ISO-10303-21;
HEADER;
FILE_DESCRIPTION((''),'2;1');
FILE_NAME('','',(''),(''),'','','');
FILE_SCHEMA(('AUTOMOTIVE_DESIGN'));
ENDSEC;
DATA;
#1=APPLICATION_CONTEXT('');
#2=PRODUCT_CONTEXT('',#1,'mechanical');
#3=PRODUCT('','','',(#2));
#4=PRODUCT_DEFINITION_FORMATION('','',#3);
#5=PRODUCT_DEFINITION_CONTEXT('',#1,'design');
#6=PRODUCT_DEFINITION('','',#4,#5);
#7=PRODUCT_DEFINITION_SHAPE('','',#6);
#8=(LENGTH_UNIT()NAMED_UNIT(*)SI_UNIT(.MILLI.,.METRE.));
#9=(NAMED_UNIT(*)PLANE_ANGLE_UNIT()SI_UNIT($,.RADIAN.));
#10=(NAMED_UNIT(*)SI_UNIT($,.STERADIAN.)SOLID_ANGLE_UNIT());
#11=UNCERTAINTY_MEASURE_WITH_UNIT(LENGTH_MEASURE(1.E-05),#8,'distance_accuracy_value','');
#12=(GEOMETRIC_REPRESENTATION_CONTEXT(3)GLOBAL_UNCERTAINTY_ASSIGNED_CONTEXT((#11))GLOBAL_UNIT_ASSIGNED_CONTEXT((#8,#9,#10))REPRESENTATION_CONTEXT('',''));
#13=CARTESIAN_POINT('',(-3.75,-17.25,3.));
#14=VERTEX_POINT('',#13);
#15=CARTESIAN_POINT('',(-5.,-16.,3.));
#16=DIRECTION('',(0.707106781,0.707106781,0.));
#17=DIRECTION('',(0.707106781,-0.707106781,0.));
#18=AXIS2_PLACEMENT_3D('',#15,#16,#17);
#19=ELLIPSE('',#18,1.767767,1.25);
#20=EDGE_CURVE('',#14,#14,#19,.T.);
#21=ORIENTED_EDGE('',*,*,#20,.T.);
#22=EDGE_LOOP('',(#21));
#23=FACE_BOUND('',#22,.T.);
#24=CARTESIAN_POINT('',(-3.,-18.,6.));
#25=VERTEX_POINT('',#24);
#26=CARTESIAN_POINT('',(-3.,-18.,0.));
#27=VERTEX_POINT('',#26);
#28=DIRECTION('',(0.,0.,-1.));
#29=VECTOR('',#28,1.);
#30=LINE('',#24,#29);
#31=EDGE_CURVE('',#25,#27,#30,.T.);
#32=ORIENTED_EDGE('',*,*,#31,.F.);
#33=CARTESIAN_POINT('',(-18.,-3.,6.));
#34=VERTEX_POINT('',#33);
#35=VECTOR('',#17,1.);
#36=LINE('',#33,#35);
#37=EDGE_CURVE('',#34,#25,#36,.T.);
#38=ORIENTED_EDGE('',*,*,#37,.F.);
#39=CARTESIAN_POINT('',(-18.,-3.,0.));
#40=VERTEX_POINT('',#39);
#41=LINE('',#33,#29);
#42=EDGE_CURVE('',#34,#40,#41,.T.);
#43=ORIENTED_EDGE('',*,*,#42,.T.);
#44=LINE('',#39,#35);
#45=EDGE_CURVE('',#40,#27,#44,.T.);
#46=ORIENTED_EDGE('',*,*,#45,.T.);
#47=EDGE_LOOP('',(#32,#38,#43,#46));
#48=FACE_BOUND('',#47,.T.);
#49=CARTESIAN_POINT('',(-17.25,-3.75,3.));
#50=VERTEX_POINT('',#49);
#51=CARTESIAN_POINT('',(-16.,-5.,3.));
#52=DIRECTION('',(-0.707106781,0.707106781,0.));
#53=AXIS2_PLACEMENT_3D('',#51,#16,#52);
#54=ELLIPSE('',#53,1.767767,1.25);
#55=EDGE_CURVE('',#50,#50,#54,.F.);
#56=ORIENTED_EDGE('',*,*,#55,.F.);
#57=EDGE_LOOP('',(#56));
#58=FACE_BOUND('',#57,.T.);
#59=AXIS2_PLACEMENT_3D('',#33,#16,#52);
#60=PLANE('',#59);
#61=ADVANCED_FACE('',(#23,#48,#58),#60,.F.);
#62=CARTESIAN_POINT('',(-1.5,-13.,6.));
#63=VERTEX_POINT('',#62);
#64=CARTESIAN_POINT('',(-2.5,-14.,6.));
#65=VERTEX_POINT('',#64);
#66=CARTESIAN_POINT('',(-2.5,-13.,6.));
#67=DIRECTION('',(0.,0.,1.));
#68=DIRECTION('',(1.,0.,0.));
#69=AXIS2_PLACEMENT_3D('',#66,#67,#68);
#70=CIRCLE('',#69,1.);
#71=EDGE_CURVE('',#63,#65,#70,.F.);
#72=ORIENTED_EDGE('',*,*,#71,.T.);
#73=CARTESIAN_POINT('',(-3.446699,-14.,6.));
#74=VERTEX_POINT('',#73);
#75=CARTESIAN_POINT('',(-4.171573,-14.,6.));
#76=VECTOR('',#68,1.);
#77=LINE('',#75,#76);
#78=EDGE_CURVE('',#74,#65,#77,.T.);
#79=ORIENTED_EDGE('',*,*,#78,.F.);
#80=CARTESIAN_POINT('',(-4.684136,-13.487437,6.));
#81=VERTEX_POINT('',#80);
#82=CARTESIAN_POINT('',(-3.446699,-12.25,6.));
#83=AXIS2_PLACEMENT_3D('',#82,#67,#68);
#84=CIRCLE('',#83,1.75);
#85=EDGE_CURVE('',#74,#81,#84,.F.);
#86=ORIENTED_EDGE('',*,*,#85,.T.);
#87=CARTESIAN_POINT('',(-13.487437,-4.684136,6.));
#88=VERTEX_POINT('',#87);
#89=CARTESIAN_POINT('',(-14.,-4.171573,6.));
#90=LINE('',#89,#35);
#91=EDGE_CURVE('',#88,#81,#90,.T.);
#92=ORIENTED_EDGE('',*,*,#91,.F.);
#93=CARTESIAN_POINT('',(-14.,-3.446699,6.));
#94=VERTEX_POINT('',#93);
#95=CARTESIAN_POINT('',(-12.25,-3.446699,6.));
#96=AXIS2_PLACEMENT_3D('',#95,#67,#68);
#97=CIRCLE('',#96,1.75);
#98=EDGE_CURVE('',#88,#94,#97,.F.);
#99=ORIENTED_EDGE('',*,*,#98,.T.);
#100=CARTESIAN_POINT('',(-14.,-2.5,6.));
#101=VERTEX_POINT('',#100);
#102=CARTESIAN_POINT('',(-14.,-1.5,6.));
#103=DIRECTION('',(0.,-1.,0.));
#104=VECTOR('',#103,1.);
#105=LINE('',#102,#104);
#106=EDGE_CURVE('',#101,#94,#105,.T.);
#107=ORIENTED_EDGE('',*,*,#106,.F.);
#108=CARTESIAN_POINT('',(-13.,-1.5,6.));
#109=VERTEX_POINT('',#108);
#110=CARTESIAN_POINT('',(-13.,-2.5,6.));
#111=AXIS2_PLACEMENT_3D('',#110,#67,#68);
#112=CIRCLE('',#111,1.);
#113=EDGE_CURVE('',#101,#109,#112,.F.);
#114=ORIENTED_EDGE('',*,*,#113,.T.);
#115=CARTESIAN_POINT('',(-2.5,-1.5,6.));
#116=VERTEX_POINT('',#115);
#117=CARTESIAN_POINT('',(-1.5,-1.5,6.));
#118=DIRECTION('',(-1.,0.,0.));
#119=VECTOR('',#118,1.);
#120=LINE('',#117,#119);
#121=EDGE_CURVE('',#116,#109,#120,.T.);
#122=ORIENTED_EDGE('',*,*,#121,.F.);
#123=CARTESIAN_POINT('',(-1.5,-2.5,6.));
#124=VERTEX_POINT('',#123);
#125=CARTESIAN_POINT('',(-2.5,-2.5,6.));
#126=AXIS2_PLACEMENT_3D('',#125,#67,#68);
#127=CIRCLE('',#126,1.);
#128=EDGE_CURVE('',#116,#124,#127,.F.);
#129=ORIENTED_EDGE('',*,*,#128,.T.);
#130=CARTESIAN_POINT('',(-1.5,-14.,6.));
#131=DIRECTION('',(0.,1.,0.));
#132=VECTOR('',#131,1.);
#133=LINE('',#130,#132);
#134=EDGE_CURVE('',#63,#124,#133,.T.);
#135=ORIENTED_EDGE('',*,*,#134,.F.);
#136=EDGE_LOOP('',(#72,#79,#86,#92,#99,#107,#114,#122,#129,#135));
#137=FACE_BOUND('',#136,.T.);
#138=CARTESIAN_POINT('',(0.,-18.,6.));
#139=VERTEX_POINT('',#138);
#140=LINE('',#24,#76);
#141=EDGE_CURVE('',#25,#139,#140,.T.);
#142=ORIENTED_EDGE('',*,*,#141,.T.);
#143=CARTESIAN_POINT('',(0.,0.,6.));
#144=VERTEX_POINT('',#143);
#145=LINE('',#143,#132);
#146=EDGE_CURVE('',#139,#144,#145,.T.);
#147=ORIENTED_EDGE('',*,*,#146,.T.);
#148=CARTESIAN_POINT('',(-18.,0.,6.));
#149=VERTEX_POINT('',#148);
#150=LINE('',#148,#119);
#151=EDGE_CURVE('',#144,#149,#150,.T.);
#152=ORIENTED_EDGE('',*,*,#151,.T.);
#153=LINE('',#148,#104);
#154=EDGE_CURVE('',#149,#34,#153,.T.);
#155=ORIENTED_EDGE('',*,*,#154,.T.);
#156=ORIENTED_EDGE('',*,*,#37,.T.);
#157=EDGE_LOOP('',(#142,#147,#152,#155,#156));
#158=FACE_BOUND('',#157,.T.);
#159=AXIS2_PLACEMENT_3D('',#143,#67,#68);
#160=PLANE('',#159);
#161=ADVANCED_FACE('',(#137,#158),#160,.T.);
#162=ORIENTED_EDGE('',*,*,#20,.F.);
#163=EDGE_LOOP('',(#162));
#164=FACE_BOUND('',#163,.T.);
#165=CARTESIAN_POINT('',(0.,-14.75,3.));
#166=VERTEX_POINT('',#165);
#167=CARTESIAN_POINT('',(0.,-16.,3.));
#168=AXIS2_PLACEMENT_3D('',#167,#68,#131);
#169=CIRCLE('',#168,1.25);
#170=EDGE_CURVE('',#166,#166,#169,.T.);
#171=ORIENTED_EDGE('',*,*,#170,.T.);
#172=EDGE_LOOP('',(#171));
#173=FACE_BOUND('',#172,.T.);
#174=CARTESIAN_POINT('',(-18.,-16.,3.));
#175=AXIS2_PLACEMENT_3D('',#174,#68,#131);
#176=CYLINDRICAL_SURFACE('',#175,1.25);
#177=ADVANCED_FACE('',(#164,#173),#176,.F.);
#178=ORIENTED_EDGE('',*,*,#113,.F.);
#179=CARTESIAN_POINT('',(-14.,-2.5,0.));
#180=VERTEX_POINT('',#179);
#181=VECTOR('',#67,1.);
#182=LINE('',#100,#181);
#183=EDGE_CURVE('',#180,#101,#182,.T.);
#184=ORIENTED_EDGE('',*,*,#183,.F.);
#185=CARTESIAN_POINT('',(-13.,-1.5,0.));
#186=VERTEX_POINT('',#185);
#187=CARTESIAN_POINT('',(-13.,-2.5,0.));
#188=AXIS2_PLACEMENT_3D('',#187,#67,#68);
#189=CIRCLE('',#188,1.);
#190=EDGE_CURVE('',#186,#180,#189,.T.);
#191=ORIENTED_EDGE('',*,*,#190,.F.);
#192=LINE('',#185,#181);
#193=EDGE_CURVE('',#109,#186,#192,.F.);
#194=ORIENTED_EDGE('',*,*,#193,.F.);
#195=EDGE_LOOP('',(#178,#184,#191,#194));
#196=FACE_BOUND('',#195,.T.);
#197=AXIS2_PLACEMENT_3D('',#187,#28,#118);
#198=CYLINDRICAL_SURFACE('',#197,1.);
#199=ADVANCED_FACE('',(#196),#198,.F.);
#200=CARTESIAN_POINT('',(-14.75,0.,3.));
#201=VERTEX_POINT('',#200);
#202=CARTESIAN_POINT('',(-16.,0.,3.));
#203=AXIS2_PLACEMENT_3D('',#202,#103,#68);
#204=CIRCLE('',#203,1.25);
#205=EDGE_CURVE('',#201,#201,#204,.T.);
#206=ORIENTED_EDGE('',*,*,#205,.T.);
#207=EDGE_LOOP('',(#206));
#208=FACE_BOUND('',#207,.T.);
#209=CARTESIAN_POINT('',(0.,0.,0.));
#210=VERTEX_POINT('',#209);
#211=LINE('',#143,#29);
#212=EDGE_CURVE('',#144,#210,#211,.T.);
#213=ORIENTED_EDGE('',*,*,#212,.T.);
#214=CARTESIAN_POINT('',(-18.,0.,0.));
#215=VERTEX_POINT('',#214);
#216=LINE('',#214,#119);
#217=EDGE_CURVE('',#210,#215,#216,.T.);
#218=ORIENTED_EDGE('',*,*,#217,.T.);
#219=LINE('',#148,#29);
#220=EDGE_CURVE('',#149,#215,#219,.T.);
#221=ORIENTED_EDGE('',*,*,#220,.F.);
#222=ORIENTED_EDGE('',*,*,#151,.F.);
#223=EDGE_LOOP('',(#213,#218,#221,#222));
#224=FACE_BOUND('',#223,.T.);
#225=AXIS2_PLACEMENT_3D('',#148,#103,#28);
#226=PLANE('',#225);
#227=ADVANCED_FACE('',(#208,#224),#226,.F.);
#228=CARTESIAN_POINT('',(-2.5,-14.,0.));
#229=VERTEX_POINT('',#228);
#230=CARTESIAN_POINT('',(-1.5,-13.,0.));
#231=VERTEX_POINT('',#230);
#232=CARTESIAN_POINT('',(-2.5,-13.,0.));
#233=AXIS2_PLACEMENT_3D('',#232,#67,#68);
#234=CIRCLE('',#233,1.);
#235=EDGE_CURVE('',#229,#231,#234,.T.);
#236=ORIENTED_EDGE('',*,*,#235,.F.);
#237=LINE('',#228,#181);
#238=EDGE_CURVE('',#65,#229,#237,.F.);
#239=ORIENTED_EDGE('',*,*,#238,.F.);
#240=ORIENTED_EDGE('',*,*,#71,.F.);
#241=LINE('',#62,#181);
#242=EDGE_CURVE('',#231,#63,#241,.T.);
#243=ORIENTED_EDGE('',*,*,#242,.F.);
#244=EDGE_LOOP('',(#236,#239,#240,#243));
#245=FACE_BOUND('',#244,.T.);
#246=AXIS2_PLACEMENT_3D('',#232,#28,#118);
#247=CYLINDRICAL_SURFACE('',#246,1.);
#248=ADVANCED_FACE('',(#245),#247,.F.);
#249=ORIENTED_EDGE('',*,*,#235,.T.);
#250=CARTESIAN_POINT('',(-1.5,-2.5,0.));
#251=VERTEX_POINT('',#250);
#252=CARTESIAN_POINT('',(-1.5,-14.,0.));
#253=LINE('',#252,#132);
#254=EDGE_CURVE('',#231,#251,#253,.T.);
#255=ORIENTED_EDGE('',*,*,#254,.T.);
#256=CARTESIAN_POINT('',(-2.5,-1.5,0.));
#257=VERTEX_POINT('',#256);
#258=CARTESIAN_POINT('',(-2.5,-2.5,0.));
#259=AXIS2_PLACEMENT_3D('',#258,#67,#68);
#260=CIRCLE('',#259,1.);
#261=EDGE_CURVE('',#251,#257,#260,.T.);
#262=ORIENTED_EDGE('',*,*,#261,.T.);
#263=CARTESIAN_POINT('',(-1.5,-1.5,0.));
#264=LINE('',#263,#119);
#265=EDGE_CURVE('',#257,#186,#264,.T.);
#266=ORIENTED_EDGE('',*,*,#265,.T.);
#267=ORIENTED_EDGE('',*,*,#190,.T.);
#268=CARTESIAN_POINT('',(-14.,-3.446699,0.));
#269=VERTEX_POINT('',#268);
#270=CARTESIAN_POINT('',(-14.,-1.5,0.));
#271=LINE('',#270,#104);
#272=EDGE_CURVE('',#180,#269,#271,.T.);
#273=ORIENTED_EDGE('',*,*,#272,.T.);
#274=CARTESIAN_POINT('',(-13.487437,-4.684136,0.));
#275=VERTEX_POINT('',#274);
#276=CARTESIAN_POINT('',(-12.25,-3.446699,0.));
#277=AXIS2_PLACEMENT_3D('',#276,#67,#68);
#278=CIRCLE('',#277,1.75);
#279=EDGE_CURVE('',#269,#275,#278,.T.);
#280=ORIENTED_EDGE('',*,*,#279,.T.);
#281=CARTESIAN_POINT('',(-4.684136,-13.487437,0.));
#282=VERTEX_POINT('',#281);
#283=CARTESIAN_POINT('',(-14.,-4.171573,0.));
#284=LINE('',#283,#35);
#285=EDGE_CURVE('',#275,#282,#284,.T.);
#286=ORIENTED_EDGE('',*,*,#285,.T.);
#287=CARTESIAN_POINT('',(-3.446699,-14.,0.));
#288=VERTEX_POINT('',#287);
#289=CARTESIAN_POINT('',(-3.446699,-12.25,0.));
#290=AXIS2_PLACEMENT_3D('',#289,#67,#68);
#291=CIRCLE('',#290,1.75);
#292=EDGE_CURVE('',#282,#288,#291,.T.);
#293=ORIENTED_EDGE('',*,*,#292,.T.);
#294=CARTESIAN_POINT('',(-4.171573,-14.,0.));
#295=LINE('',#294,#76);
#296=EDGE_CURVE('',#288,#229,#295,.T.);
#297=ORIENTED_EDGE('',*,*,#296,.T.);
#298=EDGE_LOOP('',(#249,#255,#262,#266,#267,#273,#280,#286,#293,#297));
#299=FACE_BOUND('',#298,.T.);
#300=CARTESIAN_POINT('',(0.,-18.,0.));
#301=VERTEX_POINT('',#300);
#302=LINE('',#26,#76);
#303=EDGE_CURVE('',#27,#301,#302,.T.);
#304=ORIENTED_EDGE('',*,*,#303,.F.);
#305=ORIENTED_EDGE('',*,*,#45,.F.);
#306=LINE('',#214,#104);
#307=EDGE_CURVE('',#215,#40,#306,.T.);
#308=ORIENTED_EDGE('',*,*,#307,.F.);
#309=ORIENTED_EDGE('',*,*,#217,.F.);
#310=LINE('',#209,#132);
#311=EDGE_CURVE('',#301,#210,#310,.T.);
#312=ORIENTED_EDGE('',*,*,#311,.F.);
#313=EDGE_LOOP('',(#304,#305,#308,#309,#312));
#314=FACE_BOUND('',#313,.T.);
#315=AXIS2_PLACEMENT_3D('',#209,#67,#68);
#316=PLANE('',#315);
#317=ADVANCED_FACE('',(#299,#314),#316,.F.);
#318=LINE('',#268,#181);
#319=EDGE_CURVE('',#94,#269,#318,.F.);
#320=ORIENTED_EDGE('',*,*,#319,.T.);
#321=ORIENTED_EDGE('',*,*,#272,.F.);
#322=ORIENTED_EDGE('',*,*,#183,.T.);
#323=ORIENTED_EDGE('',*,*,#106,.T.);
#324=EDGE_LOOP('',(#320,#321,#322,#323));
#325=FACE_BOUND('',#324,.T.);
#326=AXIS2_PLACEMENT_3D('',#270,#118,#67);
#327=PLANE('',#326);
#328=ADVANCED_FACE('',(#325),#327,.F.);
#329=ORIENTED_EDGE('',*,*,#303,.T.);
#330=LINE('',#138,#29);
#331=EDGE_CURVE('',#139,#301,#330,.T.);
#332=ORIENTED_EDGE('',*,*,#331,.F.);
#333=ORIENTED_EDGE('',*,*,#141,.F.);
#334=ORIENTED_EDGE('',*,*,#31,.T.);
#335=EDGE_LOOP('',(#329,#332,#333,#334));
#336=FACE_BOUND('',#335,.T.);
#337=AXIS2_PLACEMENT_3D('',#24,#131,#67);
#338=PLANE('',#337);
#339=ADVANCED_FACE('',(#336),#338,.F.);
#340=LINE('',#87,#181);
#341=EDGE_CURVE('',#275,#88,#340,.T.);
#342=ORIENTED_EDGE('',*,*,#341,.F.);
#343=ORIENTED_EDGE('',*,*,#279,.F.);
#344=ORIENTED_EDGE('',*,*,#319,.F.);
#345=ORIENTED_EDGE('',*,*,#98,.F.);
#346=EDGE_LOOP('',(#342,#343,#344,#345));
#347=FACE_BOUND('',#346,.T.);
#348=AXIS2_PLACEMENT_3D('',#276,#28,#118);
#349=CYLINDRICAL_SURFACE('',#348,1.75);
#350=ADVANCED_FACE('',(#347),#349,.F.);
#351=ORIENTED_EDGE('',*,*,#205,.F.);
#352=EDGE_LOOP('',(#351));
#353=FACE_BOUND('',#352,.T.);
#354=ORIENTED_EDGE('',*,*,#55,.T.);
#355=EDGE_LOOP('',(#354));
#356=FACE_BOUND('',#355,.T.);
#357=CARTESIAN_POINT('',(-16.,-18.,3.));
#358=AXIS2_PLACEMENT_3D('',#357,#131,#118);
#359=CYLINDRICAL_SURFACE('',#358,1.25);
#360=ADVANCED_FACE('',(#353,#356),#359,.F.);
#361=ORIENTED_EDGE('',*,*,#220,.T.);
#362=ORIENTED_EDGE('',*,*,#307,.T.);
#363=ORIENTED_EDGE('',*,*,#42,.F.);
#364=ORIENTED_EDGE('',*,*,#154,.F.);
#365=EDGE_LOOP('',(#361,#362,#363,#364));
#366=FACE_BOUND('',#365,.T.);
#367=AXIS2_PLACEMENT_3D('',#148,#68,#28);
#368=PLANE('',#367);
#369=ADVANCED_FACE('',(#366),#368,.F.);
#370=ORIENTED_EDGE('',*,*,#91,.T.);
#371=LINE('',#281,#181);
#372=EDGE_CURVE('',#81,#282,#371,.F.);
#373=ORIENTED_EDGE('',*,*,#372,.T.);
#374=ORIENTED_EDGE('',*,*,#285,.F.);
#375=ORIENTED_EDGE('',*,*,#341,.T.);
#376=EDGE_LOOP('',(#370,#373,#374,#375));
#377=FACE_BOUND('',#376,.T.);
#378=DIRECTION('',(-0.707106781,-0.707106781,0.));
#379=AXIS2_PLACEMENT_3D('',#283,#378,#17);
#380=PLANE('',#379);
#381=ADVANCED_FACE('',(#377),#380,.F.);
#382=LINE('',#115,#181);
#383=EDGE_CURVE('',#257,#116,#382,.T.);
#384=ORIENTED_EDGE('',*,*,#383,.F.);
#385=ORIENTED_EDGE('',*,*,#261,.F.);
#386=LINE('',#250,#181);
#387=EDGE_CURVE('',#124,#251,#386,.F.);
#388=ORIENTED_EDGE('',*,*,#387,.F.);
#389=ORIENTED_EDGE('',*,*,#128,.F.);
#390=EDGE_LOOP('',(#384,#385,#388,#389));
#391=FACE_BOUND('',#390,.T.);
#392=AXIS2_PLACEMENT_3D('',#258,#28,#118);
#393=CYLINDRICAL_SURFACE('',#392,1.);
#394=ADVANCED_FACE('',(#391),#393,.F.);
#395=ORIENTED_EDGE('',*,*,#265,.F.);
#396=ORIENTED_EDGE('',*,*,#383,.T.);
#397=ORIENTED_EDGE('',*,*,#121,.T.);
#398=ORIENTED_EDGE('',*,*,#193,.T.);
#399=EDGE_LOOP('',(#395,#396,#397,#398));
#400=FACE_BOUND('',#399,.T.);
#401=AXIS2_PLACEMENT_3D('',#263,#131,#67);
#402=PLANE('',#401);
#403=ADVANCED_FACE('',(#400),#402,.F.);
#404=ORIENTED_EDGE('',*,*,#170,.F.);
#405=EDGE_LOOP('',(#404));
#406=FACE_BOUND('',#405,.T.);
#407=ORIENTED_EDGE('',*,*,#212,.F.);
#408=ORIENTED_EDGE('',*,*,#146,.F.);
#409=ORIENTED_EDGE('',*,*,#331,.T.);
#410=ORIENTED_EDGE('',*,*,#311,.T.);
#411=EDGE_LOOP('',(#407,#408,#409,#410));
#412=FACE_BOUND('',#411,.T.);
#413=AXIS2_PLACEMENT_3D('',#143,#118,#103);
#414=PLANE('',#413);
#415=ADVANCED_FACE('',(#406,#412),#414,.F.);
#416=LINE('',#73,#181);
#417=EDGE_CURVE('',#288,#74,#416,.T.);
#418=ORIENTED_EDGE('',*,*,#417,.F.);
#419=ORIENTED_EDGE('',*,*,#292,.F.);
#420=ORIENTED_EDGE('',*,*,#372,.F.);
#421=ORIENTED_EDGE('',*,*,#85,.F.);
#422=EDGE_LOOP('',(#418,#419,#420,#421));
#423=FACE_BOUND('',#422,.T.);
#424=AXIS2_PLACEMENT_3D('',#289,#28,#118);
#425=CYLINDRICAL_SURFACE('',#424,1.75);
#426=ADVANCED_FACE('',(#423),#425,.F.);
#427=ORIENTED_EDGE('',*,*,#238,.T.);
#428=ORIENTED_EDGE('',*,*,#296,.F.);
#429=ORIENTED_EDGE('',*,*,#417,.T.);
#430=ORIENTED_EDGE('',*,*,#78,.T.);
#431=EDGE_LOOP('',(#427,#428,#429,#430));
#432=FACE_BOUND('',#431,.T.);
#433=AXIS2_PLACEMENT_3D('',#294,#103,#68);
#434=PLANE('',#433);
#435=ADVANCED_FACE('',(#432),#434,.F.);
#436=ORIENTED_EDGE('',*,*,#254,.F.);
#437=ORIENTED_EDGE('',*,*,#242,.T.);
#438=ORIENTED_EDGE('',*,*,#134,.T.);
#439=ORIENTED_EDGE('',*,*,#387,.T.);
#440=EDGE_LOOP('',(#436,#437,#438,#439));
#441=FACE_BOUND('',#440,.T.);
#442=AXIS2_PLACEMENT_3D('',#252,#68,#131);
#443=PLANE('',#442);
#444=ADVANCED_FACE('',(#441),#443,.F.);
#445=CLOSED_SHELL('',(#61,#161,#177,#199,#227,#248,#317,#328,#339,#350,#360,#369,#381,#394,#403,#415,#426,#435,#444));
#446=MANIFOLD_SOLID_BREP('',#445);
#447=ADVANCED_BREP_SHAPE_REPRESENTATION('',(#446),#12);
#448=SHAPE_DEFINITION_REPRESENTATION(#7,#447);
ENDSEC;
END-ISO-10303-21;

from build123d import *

# Parameters (mm, degrees)
EXTRUDE_1_DEPTH     = 6
CUT_EXTRUDE_1_DEPTH = 27.153393661
SKETCH_3_R          = 1.25
CUT_EXTRUDE_2_DEPTH = 27.153393661
FILLET_1_R          = 1
FILLET_2_R          = 1.75


with BuildPart() as part:
    # 草图1 → 凸台-拉伸1 (new body)
    with BuildSketch(Plane.XY):
        Polygon((-18, 0), (0, 0), (0, -18), (-3, -18), (-18, -3), align=None)
    extrude(amount=EXTRUDE_1_DEPTH)

    # 草图2 → 切除-拉伸1 (cut, through all)
    with BuildSketch(Plane.XY.offset(6)):
        Polygon((-14, -1.5), (-14, -4.171572875), (-4.171572875, -14), (-1.5, -14), (-1.5, -1.5), align=None)
    extrude(amount=-CUT_EXTRUDE_1_DEPTH, mode=Mode.SUBTRACT)

    # 草图3 → 切除-拉伸2 (cut, through all)
    with BuildSketch(Plane(origin=(0, 0, 0), x_dir=(0, 0, -1), z_dir=(1, 0, 0))):
        with Locations(Location((-3, -16, 0), (0, 0, 90))):
            Circle(SKETCH_3_R)
    cut_extrude_2 = extrude(amount=-CUT_EXTRUDE_2_DEPTH, mode=Mode.SUBTRACT)

    # 镜向1: 切除-拉伸2 across plane
    add(cut_extrude_2.mirror(Plane(origin=(0, 0, 0), x_dir=(0, 0, 1), z_dir=(-0.7071067811865476, 0.7071067811865475, 0))), mode=Mode.SUBTRACT)

    # 圆角1
    fillet_1_edges = [part.edges().sort_by_distance(p)[0] for p in [
        (-1.5, -14, 3),
        (-14, -1.5, 3),
        (-1.5, -1.5, 3),
    ]]
    fillet(fillet_1_edges, radius=FILLET_1_R)

    # 圆角2
    fillet_2_edges = [part.edges().sort_by_distance(p)[0] for p in [
        (-4.171572875, -14, 3),
        (-14, -4.171572875, 3),
    ]]
    fillet(fillet_2_edges, radius=FILLET_2_R)


solid = part.part
